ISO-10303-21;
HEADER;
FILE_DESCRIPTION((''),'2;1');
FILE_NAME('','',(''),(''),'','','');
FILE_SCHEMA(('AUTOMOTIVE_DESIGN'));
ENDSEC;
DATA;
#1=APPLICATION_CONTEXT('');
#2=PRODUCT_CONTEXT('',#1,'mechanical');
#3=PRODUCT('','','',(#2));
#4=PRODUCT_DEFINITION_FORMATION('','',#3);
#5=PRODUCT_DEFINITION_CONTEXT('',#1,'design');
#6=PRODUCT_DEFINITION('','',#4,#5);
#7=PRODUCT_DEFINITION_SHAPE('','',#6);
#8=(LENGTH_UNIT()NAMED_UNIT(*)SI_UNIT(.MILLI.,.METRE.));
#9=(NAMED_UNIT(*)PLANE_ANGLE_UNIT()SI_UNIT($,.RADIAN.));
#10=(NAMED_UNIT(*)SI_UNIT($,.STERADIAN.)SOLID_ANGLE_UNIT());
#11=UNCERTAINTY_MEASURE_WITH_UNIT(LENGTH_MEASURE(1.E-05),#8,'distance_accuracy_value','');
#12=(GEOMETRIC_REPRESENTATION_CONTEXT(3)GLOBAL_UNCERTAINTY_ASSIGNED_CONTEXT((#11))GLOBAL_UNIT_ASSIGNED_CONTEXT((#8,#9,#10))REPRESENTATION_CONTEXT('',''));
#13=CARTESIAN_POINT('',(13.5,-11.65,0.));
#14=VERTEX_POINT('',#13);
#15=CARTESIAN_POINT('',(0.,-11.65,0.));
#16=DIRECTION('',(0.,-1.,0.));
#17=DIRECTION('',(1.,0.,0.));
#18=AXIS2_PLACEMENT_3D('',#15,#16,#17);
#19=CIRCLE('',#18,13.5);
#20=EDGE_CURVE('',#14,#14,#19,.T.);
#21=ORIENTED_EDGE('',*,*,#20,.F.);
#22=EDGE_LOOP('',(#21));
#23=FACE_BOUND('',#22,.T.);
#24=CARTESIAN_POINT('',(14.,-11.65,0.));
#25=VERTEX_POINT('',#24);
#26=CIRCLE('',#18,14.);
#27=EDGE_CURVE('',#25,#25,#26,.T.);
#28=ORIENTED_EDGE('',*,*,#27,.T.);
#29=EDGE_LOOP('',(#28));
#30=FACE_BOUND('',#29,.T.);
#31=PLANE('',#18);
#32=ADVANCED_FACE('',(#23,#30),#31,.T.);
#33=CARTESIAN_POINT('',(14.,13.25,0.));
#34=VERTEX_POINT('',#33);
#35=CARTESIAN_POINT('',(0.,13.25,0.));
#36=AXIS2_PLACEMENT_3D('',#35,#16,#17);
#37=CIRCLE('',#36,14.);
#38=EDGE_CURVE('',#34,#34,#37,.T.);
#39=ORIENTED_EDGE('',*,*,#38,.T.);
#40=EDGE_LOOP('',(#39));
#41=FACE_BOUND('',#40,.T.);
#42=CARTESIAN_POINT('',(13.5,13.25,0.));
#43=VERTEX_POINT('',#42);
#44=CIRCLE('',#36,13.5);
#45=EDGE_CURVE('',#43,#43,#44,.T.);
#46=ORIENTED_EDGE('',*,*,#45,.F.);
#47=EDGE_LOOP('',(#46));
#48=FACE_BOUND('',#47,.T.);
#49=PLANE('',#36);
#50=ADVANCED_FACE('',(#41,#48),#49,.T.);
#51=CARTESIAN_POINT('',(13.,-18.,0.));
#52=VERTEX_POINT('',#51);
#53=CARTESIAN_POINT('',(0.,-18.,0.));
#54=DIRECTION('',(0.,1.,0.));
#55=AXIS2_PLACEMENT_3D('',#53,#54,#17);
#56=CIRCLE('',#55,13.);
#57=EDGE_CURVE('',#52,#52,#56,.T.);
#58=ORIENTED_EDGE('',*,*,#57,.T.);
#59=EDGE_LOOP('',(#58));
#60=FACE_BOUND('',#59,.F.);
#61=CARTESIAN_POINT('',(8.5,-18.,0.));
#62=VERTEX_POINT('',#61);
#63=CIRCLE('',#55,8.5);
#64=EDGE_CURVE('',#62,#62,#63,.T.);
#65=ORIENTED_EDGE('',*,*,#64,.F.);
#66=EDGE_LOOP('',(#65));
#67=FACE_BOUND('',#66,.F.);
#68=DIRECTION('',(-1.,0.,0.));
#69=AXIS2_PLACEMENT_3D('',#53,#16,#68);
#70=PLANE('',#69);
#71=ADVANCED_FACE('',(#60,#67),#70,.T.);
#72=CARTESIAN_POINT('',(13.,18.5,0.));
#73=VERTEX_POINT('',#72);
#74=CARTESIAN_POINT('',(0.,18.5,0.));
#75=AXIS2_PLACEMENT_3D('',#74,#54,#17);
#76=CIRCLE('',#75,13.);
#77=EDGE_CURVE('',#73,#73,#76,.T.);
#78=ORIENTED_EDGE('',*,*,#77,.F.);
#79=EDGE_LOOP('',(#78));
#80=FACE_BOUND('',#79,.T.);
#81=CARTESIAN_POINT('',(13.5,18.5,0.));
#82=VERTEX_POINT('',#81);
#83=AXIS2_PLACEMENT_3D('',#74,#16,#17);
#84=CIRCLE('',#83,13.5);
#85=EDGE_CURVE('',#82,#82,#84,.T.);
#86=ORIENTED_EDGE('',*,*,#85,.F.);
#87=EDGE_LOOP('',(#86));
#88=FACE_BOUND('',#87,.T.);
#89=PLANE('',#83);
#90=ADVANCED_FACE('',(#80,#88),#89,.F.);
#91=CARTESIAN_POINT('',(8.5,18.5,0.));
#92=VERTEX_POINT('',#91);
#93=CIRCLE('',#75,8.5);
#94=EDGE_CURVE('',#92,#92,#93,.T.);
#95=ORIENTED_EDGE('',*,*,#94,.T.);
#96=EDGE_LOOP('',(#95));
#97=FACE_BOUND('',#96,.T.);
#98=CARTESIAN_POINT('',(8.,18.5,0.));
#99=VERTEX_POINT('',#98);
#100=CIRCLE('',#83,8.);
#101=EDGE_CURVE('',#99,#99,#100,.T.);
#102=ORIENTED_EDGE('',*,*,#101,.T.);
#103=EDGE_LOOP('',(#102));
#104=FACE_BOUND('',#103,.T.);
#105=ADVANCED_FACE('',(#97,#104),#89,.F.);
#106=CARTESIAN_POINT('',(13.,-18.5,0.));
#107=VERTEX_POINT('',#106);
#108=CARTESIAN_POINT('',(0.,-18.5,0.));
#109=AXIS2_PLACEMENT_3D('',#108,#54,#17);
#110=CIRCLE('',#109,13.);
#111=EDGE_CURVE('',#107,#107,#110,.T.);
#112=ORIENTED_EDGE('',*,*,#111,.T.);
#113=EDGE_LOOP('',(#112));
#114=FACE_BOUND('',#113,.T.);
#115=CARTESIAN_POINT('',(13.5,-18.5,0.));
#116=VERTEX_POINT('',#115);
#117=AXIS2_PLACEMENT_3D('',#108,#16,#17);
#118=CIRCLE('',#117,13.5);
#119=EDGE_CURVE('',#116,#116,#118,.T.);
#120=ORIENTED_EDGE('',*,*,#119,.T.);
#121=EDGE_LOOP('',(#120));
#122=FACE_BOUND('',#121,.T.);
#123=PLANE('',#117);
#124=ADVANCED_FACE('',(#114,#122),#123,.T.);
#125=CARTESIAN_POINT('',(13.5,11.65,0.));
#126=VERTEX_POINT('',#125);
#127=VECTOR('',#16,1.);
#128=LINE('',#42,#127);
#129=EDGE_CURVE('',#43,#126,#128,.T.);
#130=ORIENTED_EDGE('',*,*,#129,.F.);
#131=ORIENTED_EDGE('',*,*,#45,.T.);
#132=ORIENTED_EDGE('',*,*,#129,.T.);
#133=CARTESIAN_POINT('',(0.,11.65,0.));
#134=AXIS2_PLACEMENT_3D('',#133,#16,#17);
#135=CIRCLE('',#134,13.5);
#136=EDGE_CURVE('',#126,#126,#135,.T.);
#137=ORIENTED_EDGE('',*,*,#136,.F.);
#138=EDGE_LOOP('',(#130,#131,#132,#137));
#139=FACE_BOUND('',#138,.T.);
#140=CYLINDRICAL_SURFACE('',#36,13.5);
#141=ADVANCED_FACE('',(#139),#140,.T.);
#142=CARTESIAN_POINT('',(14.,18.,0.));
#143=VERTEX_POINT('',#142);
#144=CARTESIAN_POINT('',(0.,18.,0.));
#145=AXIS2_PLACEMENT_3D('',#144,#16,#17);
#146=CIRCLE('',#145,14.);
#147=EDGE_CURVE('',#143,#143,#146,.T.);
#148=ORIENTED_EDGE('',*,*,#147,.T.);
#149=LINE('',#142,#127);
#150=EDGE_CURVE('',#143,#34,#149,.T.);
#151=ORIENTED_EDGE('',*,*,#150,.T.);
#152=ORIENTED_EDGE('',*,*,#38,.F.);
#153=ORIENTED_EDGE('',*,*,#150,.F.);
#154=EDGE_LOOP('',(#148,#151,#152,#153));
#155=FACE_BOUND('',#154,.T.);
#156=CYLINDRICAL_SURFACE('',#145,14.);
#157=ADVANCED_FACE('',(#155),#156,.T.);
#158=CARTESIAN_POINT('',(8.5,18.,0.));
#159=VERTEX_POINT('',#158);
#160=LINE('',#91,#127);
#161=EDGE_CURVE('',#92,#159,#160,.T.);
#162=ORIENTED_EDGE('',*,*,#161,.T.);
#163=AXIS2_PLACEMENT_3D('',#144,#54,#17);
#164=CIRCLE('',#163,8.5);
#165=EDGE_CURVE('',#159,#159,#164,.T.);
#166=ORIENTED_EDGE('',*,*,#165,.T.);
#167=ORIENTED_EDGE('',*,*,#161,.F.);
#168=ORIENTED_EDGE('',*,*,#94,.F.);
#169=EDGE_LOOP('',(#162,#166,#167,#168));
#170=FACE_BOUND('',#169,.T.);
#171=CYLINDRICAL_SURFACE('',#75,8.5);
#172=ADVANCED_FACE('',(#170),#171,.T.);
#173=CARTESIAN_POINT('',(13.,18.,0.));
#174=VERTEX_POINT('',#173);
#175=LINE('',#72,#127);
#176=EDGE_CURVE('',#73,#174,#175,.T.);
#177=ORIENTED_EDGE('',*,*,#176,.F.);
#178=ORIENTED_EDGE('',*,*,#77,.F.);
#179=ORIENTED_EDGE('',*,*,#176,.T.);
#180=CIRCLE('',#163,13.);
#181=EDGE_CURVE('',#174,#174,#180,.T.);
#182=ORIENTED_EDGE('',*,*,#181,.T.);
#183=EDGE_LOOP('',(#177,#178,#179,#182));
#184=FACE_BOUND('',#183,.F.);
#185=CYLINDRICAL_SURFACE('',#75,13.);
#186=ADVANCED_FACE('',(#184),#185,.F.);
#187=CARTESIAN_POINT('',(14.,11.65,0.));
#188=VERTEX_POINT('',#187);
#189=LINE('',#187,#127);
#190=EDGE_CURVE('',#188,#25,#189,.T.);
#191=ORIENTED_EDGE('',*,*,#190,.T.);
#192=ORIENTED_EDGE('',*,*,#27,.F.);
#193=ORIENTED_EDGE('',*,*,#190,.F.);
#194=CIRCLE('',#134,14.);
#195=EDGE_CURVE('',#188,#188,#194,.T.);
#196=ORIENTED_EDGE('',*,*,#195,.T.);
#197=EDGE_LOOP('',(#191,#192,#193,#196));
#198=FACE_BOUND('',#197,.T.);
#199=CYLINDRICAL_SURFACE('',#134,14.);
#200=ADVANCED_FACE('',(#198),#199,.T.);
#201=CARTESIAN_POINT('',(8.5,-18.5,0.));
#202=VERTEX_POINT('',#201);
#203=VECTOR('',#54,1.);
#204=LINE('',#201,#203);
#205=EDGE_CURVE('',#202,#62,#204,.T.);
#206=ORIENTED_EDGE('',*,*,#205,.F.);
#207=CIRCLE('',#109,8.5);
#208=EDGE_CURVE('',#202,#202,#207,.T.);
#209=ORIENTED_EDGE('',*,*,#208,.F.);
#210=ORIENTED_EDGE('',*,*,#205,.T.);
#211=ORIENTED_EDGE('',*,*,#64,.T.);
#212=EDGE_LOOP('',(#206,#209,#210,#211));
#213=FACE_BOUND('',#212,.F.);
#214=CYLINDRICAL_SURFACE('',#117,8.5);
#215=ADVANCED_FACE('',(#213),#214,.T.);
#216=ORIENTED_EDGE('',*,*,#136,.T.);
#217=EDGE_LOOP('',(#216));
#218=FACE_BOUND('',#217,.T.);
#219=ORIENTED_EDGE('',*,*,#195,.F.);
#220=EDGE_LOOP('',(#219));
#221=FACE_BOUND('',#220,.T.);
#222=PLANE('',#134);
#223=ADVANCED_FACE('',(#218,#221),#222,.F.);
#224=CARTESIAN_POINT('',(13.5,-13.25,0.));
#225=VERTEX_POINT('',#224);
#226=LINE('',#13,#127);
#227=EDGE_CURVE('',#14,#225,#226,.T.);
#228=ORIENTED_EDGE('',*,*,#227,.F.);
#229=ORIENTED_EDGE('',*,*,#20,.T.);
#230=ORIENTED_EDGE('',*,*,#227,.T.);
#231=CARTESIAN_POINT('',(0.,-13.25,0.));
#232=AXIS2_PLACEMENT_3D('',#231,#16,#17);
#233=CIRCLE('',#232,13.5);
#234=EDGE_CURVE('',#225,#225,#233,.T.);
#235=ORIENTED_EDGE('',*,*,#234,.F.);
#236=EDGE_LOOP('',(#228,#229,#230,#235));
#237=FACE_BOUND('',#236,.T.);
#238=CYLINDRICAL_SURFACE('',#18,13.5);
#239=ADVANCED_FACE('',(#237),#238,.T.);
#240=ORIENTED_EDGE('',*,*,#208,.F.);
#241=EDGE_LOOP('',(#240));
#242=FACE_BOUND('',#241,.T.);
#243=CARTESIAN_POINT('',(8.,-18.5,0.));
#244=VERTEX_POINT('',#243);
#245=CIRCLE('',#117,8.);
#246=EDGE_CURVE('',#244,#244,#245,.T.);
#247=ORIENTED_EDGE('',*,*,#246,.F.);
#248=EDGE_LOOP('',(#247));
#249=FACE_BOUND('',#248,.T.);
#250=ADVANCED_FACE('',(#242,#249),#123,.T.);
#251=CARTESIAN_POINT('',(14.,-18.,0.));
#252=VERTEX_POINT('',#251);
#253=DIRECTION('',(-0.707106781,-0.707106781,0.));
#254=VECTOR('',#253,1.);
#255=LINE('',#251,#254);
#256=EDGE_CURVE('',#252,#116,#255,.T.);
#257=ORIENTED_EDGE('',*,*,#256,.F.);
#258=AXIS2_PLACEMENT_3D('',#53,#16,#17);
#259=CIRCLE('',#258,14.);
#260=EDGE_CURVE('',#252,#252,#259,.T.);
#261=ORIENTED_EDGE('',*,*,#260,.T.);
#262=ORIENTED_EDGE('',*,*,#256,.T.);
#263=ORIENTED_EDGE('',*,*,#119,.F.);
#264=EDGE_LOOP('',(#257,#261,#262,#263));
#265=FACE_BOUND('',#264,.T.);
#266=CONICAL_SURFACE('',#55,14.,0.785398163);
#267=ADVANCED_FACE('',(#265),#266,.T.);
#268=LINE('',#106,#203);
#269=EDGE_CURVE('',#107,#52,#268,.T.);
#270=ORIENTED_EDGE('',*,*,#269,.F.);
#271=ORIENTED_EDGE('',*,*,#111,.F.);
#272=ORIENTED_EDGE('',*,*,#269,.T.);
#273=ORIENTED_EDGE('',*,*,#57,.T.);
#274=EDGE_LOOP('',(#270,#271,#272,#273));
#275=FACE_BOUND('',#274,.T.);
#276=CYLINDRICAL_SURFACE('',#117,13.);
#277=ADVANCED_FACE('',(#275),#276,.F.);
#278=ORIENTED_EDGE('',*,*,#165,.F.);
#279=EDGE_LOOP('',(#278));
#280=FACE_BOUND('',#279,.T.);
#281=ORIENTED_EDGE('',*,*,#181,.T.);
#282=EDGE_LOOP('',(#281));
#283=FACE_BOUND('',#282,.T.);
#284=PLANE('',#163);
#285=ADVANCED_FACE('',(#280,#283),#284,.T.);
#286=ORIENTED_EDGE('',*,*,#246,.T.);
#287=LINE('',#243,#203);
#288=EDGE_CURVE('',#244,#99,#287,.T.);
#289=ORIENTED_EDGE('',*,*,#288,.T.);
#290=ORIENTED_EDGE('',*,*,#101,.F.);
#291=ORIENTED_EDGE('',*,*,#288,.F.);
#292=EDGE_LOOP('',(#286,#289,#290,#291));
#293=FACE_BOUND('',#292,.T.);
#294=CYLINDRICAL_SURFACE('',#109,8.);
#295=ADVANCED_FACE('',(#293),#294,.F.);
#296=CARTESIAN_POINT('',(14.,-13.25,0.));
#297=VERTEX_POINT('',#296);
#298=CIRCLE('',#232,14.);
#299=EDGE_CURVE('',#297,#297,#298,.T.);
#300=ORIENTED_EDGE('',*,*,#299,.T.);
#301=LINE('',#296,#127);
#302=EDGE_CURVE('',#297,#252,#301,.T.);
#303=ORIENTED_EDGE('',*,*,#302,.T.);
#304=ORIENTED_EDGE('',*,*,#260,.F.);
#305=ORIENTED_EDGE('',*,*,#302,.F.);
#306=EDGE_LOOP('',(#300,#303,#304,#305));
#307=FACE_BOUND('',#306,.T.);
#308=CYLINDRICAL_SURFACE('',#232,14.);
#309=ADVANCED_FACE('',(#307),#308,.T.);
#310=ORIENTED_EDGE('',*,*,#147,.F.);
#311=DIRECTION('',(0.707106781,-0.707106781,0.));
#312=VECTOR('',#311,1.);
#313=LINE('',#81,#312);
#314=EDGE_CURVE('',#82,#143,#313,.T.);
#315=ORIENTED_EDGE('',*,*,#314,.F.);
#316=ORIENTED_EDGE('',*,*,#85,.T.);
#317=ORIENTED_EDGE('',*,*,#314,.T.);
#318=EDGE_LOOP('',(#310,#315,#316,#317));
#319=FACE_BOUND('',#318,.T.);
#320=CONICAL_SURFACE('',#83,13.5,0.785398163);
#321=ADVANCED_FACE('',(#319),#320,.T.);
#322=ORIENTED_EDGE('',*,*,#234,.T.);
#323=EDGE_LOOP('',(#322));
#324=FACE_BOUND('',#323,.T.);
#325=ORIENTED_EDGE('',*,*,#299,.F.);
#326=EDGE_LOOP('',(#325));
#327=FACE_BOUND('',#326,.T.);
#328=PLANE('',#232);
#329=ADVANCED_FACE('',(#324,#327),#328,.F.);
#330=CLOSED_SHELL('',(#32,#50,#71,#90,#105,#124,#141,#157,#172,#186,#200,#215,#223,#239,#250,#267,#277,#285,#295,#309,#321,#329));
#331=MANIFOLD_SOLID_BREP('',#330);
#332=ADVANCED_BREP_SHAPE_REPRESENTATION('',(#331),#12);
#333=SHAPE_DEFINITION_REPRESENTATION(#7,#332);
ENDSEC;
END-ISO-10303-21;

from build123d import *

# Parameters (mm, degrees)
SKETCH2_R          = 13
SKETCH2_R_2        = 8.5
CUT_EXTRUDE1_DEPTH = 0.5


with BuildPart() as part:
    # Sketch1 → Revolve1 (revolve)
    with BuildSketch(Plane.XY):
        Polygon((8, -18.5), (8, 18.5), (13.5, 18.5), (14, 18), (14, 13.25), (13.5, 13.25), (13.5, 11.65), (14, 11.65), (14, -11.65), (13.5, -11.65), (13.5, -13.25), (14, -13.25), (14, -18), (13.5, -18.5), align=None)
    revolve(axis=Axis((0, 18.5, 0), (0, -1, 0)))

    # Sketch2 → Cut-Extrude1 (cut)
    with BuildSketch(Plane(origin=(0, 18.5, 0), x_dir=(1, 0, 0), z_dir=(0, 1, 0))):
        Circle(SKETCH2_R)
        Circle(SKETCH2_R_2, mode=Mode.SUBTRACT)
    cut_extrude1 = extrude(amount=-CUT_EXTRUDE1_DEPTH, mode=Mode.SUBTRACT)

    # Mirror1: Cut-Extrude1 across plane
    add(cut_extrude1.mirror(Plane.ZX), mode=Mode.SUBTRACT)


solid = part.part
